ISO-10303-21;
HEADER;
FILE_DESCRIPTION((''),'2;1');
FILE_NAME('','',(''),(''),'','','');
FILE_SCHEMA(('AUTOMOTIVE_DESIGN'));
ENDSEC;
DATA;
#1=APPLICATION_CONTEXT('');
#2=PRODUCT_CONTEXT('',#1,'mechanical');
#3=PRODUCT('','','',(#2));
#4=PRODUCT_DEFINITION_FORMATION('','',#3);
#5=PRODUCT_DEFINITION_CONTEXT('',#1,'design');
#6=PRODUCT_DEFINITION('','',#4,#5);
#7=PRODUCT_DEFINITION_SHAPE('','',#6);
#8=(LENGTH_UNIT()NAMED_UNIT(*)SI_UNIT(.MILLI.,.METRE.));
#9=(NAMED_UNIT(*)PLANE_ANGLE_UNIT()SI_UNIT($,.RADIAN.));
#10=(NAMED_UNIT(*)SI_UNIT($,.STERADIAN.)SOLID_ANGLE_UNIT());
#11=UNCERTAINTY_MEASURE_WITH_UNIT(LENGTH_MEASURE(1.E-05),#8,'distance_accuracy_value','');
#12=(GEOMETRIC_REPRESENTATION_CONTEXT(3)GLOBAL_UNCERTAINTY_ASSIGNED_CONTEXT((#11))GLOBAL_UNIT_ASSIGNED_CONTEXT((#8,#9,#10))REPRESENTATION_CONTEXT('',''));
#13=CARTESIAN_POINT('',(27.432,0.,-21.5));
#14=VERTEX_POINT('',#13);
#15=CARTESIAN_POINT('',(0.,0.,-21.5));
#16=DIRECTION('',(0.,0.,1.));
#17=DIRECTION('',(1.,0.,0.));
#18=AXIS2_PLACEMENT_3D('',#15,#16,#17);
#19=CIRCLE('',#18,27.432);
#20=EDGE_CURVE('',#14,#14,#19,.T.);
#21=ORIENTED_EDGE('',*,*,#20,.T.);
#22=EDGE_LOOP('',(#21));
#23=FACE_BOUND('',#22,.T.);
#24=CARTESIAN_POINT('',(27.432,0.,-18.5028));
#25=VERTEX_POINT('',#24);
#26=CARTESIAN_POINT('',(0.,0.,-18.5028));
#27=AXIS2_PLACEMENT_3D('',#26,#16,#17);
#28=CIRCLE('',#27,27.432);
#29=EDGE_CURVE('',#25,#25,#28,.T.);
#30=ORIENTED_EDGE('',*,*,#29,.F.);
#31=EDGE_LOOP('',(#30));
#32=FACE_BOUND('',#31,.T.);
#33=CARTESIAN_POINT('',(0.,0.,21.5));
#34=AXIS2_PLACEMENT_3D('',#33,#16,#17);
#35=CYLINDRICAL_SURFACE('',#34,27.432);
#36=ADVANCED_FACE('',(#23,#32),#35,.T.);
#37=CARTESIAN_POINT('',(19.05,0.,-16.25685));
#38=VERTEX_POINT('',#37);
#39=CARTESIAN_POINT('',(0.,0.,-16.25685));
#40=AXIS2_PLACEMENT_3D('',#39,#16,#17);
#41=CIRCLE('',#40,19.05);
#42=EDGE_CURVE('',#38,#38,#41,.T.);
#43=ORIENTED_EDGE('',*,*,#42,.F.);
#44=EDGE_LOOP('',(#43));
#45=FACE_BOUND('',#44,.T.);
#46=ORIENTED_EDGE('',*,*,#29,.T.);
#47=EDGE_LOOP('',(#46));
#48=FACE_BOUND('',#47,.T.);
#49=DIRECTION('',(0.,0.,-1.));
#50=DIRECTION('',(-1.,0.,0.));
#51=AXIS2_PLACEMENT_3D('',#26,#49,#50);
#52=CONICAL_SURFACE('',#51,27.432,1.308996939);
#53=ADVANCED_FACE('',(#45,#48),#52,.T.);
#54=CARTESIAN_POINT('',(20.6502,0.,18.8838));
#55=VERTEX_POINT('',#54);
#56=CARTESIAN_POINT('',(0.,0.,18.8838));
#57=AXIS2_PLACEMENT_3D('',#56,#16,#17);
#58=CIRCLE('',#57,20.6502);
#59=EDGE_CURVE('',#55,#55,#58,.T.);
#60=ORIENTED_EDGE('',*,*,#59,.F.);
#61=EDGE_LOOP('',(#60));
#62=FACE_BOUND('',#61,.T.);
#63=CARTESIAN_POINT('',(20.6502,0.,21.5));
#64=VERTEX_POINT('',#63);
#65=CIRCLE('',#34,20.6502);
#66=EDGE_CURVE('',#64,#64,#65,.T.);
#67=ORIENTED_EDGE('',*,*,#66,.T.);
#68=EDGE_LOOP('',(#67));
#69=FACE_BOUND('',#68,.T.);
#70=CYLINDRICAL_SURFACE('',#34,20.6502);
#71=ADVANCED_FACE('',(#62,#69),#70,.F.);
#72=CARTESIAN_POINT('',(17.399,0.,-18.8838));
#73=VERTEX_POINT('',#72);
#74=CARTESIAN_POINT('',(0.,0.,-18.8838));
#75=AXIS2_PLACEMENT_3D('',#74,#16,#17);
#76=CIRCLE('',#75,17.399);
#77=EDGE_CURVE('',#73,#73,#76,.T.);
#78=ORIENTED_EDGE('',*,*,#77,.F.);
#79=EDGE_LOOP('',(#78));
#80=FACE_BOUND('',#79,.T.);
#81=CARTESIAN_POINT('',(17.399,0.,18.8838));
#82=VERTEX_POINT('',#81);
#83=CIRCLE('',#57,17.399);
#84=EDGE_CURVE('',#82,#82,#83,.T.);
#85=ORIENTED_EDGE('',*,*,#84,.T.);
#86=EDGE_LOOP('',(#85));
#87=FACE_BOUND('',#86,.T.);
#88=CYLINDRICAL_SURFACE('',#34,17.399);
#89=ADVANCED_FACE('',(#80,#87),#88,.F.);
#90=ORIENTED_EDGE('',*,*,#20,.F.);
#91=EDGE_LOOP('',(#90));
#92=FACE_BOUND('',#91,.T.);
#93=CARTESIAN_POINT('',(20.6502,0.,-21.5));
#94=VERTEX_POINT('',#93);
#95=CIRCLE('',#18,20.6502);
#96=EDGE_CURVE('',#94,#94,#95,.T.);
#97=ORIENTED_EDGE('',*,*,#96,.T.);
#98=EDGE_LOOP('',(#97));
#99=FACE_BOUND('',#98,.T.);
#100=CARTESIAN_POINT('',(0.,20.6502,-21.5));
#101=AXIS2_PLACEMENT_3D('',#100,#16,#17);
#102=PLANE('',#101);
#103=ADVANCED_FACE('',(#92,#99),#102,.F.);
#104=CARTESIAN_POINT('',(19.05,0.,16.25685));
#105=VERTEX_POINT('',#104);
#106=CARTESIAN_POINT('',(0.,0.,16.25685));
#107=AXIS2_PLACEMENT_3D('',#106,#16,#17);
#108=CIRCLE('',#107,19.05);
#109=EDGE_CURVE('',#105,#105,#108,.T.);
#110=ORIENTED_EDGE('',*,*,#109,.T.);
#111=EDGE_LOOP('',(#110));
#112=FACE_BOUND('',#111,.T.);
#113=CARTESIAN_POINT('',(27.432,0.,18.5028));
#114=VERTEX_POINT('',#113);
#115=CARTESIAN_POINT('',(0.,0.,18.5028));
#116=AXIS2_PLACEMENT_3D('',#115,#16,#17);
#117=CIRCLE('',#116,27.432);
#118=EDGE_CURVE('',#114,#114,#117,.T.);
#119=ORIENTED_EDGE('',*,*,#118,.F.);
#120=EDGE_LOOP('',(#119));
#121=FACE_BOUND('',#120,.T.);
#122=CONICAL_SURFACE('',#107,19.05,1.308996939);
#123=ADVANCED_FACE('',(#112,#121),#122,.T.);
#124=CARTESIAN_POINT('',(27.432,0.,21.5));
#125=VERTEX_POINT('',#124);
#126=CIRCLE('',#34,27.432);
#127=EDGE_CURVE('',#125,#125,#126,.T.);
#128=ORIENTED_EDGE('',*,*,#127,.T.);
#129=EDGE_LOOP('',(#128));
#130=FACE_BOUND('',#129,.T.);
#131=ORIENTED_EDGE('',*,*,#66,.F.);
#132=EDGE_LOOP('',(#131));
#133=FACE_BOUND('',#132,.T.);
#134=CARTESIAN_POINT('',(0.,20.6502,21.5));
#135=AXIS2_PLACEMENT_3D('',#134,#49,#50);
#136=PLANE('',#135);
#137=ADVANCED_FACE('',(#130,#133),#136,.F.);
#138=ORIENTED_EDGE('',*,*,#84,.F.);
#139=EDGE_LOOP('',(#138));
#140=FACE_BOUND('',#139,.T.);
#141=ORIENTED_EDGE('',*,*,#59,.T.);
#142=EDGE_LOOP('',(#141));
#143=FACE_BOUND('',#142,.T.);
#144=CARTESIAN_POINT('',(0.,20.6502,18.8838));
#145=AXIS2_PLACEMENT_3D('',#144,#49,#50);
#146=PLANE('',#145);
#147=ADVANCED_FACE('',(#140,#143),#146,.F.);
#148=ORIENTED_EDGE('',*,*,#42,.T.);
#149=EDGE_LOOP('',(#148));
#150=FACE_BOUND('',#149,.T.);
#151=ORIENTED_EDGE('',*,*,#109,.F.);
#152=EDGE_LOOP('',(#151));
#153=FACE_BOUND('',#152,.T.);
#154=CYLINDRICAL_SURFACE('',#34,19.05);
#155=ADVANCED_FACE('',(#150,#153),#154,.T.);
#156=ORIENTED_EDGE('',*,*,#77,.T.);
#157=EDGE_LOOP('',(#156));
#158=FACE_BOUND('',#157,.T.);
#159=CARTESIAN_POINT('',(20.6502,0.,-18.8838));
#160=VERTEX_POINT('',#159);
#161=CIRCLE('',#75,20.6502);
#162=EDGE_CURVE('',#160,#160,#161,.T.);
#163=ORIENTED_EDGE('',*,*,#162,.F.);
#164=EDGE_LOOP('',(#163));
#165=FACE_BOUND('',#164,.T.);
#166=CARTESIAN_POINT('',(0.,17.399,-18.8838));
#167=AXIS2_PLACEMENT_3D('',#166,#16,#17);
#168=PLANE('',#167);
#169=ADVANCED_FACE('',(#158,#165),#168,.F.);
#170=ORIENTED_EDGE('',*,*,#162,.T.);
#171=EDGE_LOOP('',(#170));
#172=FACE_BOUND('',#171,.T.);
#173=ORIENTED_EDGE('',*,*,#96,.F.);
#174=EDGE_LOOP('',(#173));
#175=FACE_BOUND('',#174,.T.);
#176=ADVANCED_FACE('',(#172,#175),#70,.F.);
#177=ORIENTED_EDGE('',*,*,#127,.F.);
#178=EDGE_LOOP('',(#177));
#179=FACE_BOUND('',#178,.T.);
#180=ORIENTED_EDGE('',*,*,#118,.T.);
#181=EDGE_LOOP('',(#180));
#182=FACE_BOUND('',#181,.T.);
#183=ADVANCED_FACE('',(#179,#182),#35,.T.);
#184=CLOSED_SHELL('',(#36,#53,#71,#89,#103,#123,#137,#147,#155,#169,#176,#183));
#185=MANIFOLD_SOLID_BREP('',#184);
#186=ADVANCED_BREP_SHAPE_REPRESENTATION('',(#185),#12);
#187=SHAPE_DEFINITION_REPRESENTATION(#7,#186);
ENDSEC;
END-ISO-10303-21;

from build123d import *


with BuildPart() as part:
    # Sketch2 → Revolve1 (revolve)
    with BuildSketch(Plane(origin=(0, 0, 0), x_dir=(0, 0, -1), z_dir=(1, 0, 0))):
        Polygon((21.5, 20.6502), (21.5, 27.432), (18.5028, 27.432), (16.256849869, 19.05), (-16.256849869, 19.05), (-18.5028, 27.432), (-21.5, 27.432), (-21.5, 20.6502), (-18.8838, 20.6502), (-18.8838, 17.399), (18.8838, 17.399), (18.8838, 20.6502), align=None)
    revolve(axis=Axis((0, 0, 21.5), (0, 0, -1)))


solid = part.part
